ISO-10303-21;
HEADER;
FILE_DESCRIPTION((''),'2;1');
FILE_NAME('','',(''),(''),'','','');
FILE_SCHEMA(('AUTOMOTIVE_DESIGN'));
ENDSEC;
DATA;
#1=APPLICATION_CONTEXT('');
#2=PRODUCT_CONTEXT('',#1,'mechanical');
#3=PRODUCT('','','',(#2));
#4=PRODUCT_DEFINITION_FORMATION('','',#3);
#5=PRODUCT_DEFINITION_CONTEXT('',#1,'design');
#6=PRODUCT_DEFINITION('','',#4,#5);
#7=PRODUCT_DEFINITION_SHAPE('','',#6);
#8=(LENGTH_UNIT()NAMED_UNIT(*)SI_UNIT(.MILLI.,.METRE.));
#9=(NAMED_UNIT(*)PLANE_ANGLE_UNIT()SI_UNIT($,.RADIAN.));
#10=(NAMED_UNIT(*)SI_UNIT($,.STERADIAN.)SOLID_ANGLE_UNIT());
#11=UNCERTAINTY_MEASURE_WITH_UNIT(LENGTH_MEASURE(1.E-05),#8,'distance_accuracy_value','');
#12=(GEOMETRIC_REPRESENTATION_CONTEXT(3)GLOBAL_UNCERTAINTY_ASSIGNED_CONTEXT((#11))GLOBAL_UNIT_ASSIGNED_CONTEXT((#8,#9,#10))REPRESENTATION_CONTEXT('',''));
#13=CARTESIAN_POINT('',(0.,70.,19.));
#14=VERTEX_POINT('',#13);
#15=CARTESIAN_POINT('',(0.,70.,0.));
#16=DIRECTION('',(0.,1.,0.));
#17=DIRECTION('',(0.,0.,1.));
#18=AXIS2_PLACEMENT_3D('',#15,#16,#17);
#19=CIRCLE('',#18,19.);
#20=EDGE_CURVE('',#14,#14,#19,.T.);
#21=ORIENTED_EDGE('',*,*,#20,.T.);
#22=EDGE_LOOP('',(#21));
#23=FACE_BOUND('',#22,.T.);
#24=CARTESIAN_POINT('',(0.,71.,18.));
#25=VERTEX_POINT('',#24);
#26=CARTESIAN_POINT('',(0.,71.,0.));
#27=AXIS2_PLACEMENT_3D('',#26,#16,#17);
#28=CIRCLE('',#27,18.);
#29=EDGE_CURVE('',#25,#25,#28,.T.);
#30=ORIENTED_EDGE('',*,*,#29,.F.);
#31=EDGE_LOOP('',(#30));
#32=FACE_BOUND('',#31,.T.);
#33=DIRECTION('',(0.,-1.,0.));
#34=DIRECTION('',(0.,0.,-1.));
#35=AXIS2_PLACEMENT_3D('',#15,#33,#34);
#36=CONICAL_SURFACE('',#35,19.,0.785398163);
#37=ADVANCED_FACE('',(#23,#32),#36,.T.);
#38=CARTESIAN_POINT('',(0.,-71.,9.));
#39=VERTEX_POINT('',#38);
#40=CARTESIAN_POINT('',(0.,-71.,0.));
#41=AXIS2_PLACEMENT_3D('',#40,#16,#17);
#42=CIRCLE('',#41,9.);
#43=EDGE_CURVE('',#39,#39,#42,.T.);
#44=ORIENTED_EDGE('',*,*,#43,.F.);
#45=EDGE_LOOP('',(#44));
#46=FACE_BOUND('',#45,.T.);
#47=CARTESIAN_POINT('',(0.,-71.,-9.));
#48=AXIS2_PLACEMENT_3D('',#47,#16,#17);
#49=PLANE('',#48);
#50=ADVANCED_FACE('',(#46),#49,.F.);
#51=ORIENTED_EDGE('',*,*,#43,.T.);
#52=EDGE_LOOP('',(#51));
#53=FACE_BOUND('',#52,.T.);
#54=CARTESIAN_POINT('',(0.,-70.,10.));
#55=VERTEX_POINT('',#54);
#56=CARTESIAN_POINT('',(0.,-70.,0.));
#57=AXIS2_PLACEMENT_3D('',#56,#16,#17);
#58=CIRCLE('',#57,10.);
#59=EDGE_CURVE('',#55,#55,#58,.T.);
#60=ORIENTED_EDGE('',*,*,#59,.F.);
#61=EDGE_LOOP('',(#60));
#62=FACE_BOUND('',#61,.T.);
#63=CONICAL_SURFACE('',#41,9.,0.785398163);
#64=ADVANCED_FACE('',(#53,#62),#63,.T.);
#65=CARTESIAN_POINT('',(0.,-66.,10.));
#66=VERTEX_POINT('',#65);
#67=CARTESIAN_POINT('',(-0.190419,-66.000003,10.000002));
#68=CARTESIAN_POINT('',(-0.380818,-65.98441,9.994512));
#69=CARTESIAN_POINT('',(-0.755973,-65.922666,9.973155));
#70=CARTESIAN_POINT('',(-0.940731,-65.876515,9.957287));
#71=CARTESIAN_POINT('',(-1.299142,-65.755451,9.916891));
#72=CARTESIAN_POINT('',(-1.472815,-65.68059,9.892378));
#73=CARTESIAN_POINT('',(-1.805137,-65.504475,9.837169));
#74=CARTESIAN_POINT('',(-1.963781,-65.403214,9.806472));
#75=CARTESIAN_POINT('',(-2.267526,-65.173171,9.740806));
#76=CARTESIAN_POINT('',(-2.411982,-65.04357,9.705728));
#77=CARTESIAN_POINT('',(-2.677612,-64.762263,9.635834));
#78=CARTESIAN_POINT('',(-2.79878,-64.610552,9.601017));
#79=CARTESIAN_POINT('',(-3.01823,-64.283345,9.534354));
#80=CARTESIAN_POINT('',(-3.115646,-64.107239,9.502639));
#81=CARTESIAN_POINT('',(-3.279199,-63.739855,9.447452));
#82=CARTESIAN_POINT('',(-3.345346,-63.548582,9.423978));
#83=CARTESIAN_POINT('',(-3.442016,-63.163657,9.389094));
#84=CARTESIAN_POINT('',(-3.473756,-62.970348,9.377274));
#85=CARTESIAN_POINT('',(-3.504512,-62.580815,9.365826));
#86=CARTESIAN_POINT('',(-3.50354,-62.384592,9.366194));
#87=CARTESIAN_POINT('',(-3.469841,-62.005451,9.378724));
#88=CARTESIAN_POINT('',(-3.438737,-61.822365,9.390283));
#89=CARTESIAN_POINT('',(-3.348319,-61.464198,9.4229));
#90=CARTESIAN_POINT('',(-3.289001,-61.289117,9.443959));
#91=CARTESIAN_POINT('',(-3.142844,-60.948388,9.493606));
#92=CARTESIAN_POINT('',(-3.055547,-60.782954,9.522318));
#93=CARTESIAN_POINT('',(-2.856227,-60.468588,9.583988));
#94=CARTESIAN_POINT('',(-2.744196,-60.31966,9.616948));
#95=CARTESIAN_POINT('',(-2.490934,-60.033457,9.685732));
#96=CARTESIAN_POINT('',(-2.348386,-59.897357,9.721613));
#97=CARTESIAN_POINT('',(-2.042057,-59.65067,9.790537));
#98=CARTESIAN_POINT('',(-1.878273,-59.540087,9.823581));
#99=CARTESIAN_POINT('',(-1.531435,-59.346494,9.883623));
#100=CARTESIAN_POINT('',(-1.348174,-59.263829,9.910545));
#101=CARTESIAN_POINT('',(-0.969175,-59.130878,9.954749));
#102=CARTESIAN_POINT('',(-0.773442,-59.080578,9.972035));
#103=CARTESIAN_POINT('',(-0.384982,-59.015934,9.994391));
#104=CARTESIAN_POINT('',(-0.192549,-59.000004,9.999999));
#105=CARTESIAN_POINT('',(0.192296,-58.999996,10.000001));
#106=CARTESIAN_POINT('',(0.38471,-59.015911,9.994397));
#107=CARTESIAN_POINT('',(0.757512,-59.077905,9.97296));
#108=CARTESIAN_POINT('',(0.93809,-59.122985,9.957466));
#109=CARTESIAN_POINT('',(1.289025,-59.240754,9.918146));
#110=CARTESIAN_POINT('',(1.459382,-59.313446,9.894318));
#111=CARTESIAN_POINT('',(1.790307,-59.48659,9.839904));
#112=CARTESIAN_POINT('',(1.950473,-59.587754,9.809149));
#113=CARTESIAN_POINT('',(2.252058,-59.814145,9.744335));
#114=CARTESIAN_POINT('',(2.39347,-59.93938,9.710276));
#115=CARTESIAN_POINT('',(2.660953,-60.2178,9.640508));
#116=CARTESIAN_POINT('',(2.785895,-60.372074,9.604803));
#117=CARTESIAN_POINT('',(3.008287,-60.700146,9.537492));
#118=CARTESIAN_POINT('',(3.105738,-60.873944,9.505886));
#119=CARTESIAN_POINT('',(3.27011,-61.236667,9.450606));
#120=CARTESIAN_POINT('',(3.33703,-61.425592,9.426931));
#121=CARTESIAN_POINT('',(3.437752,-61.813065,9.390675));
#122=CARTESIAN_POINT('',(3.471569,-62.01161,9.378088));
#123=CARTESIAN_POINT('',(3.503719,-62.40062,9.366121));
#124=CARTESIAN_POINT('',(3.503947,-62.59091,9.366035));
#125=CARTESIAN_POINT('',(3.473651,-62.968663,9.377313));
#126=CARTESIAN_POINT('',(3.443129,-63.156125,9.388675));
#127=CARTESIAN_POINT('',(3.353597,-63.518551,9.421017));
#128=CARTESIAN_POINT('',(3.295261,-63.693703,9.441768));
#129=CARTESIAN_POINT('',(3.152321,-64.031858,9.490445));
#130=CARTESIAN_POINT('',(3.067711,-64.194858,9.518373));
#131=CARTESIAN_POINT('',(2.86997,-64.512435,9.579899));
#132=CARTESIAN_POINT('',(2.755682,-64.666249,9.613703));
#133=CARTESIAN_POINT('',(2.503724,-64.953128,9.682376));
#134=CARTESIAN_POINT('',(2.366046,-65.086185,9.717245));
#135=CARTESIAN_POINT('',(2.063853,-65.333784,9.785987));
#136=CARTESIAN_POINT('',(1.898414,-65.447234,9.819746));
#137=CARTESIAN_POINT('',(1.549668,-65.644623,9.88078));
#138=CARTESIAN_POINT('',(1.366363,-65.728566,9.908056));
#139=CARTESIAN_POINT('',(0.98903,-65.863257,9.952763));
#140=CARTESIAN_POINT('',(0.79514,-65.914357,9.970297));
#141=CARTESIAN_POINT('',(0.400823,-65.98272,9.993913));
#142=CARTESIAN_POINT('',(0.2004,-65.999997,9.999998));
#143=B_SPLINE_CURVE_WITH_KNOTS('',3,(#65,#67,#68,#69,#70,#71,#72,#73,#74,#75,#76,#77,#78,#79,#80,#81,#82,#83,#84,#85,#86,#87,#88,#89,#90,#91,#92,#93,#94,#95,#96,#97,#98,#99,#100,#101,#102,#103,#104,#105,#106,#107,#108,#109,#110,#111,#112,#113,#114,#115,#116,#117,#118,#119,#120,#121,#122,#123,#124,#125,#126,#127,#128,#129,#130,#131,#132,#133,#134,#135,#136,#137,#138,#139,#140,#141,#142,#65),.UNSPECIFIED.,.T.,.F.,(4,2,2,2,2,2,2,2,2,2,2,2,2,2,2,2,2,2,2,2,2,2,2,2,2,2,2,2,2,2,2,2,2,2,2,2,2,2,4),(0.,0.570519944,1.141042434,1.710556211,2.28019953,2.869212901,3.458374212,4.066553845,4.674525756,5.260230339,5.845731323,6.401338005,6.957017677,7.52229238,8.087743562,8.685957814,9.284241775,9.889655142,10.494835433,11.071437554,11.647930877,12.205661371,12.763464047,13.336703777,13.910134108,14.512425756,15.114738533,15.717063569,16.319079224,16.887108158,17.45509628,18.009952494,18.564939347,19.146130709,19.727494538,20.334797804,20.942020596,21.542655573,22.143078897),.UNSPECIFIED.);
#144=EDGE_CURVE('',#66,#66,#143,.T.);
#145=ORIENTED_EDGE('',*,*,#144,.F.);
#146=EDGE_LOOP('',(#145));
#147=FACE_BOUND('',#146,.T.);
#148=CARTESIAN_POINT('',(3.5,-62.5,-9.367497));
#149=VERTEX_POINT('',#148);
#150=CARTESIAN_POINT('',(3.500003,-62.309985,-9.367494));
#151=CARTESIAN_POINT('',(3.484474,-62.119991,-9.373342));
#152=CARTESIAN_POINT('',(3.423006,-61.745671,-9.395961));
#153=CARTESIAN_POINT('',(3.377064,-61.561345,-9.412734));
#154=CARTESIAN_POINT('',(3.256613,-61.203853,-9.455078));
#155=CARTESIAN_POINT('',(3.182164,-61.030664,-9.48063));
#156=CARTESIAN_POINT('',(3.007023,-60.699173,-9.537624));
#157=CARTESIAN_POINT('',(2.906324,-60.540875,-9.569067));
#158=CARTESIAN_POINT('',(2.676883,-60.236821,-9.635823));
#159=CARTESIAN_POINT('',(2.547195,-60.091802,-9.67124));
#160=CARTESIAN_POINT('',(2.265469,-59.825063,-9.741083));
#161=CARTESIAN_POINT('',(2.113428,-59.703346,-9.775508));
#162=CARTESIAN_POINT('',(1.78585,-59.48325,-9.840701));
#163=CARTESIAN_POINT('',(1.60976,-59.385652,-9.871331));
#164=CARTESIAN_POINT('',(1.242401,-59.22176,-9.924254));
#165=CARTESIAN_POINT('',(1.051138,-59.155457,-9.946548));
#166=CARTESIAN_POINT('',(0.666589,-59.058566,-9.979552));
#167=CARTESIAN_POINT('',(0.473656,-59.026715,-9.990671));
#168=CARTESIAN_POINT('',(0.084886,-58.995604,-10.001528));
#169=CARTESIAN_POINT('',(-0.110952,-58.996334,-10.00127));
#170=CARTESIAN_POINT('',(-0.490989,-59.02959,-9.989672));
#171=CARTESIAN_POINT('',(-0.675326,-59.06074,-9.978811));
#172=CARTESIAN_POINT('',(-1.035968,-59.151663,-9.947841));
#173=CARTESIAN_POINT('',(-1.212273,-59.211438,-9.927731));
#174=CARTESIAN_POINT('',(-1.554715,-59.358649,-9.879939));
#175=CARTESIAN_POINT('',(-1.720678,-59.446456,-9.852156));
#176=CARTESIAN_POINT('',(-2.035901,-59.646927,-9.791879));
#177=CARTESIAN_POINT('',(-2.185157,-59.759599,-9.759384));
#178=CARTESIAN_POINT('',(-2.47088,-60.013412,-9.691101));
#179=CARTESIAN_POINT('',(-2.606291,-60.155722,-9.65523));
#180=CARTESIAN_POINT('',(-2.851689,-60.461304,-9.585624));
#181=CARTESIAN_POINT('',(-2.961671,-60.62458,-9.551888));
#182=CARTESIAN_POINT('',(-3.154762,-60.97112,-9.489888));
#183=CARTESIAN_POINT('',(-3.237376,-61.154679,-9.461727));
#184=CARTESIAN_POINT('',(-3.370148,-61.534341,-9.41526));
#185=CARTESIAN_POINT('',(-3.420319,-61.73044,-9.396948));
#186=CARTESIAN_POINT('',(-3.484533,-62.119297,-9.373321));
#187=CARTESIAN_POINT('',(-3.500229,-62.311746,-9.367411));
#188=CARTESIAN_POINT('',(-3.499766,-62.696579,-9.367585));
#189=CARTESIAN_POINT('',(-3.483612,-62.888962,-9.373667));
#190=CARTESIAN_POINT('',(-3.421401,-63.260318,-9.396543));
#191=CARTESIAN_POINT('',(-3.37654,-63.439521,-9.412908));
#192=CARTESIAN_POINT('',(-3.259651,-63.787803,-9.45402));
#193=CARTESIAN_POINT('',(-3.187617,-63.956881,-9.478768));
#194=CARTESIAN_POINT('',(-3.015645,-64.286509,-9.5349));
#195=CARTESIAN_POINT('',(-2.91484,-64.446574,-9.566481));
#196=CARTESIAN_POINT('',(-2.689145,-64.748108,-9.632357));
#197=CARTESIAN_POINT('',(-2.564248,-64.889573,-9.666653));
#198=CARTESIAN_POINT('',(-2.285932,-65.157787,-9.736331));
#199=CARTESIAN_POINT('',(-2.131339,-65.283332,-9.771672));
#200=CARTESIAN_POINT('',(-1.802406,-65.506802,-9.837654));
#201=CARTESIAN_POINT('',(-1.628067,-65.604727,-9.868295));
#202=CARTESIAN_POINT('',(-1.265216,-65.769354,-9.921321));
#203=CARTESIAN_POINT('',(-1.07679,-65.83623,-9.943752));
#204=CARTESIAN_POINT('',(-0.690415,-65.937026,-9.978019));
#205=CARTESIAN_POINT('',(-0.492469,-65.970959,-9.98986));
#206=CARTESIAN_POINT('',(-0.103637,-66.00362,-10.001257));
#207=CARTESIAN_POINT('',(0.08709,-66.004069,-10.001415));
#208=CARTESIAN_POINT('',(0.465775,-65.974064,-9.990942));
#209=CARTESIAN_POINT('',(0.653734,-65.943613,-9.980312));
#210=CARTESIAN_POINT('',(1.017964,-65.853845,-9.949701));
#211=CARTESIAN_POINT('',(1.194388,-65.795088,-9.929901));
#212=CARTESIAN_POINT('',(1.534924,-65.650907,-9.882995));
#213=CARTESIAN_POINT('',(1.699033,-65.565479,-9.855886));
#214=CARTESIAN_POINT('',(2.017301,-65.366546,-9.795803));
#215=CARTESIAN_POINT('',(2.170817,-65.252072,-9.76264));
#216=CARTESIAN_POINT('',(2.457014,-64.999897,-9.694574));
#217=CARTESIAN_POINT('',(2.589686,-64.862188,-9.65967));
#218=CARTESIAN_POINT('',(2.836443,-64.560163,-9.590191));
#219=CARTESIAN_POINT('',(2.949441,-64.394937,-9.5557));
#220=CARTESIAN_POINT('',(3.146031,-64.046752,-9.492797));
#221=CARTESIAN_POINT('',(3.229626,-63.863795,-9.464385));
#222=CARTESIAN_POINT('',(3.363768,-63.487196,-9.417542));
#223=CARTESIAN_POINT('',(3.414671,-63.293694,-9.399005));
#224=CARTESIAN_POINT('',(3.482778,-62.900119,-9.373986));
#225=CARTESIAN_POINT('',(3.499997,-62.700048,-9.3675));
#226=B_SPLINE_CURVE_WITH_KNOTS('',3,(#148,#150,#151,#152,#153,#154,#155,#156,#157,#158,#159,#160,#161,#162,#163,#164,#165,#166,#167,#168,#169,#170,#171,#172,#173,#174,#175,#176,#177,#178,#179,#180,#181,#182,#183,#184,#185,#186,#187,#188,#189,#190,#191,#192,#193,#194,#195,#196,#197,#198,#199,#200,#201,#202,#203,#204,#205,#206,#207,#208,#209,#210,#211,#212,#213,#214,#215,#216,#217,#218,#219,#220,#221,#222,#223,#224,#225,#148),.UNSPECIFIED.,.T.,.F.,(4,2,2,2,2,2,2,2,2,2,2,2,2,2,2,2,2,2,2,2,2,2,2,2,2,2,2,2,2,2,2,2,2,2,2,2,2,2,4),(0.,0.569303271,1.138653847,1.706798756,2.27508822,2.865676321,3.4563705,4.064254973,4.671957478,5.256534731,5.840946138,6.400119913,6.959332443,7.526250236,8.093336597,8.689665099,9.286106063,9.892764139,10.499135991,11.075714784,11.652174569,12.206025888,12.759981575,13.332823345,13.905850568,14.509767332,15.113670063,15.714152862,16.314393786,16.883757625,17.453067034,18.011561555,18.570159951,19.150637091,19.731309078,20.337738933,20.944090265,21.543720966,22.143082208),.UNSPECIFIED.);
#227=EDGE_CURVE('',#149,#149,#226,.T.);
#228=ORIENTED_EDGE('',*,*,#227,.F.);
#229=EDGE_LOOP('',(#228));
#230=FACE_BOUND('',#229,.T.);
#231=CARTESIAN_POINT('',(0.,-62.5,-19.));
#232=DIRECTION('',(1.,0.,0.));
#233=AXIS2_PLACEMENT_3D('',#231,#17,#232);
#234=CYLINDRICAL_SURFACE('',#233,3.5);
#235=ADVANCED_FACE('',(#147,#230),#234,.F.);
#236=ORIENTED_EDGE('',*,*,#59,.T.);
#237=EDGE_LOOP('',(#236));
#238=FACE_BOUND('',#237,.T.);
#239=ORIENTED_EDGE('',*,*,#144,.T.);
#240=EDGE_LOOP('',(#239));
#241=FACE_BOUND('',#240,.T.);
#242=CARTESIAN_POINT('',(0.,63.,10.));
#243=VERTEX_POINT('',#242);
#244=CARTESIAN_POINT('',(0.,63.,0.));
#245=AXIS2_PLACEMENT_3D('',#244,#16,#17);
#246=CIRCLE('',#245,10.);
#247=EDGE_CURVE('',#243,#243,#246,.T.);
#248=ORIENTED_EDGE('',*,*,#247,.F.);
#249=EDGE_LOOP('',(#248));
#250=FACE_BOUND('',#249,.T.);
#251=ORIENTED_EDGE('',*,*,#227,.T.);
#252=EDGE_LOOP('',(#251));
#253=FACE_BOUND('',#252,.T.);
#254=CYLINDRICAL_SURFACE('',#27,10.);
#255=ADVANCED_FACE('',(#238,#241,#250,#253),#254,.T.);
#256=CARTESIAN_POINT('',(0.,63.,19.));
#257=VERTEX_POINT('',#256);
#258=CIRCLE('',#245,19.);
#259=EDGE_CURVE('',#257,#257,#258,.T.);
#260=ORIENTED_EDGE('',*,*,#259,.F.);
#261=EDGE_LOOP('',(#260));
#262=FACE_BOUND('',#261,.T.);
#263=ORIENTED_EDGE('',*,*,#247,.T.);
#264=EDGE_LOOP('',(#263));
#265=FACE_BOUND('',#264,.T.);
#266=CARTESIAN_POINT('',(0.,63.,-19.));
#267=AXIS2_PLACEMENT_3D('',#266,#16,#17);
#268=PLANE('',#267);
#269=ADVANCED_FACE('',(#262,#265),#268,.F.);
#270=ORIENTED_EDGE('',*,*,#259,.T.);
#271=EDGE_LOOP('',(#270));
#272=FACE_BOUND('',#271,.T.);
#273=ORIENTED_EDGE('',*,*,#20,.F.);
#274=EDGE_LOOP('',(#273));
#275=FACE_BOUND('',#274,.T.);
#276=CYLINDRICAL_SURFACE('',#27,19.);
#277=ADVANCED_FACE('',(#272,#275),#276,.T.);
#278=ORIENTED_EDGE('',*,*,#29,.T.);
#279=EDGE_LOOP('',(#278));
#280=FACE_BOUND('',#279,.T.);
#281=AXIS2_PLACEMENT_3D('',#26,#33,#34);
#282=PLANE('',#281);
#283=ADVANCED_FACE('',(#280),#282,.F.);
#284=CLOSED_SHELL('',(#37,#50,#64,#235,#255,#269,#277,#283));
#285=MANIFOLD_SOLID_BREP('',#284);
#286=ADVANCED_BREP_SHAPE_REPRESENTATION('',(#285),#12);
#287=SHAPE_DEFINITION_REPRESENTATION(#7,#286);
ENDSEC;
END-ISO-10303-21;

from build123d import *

# Parameters (mm, degrees)
CORTE_EXTRUS_O1_DEPTH      = 76.914425507
CORTE_EXTRUS_O1_DEPTH_BACK = 76.914425507
ESBO_O2_R                  = 3.5


with BuildPart() as part:
    # Esboço1 → Revolução1 (revolve)
    with BuildSketch(Plane(origin=(0, 0, 0), x_dir=(0, 0, -1), z_dir=(1, 0, 0)), mode=Mode.PRIVATE) as revolu_o1_sk:
        Polygon((0, 71), (18, 71), (19, 70), (19, 63), (10, 63), (10, -70), (9, -71), (0, -71), align=None)
    revolve(revolu_o1_sk.sketch.rotate(Axis((0, 71, 0), (0, -1, 0)), 180), axis=Axis((0, 71, 0), (0, -1, 0)))

    # Esboço2 → Corte-extrusão1 (cut, two sides: drawn at the far end of the back side and taken through both)
    with BuildSketch(Plane.XY.offset(-CORTE_EXTRUS_O1_DEPTH_BACK)):
        with Locations((0, -62.5)):
            Circle(ESBO_O2_R)
    extrude(amount=CORTE_EXTRUS_O1_DEPTH + CORTE_EXTRUS_O1_DEPTH_BACK, mode=Mode.SUBTRACT)


solid = part.part
